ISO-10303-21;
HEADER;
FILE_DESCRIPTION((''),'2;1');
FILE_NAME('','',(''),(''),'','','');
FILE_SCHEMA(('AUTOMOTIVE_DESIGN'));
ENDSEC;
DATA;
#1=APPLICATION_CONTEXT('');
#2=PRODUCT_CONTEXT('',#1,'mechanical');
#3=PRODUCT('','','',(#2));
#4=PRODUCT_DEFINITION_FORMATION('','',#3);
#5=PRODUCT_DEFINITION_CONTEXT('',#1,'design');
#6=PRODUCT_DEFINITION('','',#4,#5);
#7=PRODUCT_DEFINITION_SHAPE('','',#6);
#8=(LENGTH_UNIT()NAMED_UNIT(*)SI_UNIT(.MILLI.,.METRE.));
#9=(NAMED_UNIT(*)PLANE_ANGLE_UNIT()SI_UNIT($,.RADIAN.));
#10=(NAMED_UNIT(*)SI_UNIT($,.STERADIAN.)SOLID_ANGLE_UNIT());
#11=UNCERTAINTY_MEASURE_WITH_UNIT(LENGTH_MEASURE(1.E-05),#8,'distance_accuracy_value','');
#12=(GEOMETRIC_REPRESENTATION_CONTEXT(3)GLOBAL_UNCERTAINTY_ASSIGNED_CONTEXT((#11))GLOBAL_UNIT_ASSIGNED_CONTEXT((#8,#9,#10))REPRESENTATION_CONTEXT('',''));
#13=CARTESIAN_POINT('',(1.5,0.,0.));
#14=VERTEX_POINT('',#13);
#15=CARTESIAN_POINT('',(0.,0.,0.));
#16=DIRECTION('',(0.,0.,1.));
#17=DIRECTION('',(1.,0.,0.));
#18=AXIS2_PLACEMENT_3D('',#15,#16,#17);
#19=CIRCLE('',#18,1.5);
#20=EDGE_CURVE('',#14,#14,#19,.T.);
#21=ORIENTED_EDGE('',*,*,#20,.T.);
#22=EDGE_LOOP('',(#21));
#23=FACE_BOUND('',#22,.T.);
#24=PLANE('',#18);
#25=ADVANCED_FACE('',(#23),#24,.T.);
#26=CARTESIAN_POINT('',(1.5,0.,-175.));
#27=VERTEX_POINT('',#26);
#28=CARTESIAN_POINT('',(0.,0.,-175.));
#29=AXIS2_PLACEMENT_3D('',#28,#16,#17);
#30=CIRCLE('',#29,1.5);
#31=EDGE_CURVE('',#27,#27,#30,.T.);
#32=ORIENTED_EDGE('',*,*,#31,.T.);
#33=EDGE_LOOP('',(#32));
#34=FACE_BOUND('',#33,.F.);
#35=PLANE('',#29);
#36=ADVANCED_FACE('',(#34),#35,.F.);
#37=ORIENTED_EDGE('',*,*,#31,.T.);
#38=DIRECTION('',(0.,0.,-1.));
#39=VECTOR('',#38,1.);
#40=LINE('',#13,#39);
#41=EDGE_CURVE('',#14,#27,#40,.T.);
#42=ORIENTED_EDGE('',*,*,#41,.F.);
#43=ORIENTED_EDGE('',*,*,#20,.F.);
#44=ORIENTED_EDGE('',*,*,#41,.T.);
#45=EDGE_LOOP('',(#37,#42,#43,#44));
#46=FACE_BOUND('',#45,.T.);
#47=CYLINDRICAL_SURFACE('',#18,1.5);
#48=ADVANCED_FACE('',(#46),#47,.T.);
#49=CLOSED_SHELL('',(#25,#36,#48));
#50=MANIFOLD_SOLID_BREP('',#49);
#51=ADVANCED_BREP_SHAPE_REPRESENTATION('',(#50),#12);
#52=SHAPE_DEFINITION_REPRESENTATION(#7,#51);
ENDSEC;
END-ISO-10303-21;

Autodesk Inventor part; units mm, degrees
ref_plane "YZ Plane" through (0, 0, 0) normal (1, 0, 0) x (0, 1, 0)
ref_plane "XZ Plane" through (0, 0, 0) normal (0, 1, 0) x (-1, 0, 0)
ref_plane "XY Plane" through (0, 0, 0) normal (0, 0, 1) x (1, 0, 0)
sketch "Sketch1" plane through (0, 0, 0) normal (0, 0, 1) x (1, 0, 0)
  circle A0 centre (0, 0) radius 1.5
  dimension "d0" = 3
extrude "Extrusion1" add sketch "Sketch1" against normal blind 175
properties part number "main rod"
